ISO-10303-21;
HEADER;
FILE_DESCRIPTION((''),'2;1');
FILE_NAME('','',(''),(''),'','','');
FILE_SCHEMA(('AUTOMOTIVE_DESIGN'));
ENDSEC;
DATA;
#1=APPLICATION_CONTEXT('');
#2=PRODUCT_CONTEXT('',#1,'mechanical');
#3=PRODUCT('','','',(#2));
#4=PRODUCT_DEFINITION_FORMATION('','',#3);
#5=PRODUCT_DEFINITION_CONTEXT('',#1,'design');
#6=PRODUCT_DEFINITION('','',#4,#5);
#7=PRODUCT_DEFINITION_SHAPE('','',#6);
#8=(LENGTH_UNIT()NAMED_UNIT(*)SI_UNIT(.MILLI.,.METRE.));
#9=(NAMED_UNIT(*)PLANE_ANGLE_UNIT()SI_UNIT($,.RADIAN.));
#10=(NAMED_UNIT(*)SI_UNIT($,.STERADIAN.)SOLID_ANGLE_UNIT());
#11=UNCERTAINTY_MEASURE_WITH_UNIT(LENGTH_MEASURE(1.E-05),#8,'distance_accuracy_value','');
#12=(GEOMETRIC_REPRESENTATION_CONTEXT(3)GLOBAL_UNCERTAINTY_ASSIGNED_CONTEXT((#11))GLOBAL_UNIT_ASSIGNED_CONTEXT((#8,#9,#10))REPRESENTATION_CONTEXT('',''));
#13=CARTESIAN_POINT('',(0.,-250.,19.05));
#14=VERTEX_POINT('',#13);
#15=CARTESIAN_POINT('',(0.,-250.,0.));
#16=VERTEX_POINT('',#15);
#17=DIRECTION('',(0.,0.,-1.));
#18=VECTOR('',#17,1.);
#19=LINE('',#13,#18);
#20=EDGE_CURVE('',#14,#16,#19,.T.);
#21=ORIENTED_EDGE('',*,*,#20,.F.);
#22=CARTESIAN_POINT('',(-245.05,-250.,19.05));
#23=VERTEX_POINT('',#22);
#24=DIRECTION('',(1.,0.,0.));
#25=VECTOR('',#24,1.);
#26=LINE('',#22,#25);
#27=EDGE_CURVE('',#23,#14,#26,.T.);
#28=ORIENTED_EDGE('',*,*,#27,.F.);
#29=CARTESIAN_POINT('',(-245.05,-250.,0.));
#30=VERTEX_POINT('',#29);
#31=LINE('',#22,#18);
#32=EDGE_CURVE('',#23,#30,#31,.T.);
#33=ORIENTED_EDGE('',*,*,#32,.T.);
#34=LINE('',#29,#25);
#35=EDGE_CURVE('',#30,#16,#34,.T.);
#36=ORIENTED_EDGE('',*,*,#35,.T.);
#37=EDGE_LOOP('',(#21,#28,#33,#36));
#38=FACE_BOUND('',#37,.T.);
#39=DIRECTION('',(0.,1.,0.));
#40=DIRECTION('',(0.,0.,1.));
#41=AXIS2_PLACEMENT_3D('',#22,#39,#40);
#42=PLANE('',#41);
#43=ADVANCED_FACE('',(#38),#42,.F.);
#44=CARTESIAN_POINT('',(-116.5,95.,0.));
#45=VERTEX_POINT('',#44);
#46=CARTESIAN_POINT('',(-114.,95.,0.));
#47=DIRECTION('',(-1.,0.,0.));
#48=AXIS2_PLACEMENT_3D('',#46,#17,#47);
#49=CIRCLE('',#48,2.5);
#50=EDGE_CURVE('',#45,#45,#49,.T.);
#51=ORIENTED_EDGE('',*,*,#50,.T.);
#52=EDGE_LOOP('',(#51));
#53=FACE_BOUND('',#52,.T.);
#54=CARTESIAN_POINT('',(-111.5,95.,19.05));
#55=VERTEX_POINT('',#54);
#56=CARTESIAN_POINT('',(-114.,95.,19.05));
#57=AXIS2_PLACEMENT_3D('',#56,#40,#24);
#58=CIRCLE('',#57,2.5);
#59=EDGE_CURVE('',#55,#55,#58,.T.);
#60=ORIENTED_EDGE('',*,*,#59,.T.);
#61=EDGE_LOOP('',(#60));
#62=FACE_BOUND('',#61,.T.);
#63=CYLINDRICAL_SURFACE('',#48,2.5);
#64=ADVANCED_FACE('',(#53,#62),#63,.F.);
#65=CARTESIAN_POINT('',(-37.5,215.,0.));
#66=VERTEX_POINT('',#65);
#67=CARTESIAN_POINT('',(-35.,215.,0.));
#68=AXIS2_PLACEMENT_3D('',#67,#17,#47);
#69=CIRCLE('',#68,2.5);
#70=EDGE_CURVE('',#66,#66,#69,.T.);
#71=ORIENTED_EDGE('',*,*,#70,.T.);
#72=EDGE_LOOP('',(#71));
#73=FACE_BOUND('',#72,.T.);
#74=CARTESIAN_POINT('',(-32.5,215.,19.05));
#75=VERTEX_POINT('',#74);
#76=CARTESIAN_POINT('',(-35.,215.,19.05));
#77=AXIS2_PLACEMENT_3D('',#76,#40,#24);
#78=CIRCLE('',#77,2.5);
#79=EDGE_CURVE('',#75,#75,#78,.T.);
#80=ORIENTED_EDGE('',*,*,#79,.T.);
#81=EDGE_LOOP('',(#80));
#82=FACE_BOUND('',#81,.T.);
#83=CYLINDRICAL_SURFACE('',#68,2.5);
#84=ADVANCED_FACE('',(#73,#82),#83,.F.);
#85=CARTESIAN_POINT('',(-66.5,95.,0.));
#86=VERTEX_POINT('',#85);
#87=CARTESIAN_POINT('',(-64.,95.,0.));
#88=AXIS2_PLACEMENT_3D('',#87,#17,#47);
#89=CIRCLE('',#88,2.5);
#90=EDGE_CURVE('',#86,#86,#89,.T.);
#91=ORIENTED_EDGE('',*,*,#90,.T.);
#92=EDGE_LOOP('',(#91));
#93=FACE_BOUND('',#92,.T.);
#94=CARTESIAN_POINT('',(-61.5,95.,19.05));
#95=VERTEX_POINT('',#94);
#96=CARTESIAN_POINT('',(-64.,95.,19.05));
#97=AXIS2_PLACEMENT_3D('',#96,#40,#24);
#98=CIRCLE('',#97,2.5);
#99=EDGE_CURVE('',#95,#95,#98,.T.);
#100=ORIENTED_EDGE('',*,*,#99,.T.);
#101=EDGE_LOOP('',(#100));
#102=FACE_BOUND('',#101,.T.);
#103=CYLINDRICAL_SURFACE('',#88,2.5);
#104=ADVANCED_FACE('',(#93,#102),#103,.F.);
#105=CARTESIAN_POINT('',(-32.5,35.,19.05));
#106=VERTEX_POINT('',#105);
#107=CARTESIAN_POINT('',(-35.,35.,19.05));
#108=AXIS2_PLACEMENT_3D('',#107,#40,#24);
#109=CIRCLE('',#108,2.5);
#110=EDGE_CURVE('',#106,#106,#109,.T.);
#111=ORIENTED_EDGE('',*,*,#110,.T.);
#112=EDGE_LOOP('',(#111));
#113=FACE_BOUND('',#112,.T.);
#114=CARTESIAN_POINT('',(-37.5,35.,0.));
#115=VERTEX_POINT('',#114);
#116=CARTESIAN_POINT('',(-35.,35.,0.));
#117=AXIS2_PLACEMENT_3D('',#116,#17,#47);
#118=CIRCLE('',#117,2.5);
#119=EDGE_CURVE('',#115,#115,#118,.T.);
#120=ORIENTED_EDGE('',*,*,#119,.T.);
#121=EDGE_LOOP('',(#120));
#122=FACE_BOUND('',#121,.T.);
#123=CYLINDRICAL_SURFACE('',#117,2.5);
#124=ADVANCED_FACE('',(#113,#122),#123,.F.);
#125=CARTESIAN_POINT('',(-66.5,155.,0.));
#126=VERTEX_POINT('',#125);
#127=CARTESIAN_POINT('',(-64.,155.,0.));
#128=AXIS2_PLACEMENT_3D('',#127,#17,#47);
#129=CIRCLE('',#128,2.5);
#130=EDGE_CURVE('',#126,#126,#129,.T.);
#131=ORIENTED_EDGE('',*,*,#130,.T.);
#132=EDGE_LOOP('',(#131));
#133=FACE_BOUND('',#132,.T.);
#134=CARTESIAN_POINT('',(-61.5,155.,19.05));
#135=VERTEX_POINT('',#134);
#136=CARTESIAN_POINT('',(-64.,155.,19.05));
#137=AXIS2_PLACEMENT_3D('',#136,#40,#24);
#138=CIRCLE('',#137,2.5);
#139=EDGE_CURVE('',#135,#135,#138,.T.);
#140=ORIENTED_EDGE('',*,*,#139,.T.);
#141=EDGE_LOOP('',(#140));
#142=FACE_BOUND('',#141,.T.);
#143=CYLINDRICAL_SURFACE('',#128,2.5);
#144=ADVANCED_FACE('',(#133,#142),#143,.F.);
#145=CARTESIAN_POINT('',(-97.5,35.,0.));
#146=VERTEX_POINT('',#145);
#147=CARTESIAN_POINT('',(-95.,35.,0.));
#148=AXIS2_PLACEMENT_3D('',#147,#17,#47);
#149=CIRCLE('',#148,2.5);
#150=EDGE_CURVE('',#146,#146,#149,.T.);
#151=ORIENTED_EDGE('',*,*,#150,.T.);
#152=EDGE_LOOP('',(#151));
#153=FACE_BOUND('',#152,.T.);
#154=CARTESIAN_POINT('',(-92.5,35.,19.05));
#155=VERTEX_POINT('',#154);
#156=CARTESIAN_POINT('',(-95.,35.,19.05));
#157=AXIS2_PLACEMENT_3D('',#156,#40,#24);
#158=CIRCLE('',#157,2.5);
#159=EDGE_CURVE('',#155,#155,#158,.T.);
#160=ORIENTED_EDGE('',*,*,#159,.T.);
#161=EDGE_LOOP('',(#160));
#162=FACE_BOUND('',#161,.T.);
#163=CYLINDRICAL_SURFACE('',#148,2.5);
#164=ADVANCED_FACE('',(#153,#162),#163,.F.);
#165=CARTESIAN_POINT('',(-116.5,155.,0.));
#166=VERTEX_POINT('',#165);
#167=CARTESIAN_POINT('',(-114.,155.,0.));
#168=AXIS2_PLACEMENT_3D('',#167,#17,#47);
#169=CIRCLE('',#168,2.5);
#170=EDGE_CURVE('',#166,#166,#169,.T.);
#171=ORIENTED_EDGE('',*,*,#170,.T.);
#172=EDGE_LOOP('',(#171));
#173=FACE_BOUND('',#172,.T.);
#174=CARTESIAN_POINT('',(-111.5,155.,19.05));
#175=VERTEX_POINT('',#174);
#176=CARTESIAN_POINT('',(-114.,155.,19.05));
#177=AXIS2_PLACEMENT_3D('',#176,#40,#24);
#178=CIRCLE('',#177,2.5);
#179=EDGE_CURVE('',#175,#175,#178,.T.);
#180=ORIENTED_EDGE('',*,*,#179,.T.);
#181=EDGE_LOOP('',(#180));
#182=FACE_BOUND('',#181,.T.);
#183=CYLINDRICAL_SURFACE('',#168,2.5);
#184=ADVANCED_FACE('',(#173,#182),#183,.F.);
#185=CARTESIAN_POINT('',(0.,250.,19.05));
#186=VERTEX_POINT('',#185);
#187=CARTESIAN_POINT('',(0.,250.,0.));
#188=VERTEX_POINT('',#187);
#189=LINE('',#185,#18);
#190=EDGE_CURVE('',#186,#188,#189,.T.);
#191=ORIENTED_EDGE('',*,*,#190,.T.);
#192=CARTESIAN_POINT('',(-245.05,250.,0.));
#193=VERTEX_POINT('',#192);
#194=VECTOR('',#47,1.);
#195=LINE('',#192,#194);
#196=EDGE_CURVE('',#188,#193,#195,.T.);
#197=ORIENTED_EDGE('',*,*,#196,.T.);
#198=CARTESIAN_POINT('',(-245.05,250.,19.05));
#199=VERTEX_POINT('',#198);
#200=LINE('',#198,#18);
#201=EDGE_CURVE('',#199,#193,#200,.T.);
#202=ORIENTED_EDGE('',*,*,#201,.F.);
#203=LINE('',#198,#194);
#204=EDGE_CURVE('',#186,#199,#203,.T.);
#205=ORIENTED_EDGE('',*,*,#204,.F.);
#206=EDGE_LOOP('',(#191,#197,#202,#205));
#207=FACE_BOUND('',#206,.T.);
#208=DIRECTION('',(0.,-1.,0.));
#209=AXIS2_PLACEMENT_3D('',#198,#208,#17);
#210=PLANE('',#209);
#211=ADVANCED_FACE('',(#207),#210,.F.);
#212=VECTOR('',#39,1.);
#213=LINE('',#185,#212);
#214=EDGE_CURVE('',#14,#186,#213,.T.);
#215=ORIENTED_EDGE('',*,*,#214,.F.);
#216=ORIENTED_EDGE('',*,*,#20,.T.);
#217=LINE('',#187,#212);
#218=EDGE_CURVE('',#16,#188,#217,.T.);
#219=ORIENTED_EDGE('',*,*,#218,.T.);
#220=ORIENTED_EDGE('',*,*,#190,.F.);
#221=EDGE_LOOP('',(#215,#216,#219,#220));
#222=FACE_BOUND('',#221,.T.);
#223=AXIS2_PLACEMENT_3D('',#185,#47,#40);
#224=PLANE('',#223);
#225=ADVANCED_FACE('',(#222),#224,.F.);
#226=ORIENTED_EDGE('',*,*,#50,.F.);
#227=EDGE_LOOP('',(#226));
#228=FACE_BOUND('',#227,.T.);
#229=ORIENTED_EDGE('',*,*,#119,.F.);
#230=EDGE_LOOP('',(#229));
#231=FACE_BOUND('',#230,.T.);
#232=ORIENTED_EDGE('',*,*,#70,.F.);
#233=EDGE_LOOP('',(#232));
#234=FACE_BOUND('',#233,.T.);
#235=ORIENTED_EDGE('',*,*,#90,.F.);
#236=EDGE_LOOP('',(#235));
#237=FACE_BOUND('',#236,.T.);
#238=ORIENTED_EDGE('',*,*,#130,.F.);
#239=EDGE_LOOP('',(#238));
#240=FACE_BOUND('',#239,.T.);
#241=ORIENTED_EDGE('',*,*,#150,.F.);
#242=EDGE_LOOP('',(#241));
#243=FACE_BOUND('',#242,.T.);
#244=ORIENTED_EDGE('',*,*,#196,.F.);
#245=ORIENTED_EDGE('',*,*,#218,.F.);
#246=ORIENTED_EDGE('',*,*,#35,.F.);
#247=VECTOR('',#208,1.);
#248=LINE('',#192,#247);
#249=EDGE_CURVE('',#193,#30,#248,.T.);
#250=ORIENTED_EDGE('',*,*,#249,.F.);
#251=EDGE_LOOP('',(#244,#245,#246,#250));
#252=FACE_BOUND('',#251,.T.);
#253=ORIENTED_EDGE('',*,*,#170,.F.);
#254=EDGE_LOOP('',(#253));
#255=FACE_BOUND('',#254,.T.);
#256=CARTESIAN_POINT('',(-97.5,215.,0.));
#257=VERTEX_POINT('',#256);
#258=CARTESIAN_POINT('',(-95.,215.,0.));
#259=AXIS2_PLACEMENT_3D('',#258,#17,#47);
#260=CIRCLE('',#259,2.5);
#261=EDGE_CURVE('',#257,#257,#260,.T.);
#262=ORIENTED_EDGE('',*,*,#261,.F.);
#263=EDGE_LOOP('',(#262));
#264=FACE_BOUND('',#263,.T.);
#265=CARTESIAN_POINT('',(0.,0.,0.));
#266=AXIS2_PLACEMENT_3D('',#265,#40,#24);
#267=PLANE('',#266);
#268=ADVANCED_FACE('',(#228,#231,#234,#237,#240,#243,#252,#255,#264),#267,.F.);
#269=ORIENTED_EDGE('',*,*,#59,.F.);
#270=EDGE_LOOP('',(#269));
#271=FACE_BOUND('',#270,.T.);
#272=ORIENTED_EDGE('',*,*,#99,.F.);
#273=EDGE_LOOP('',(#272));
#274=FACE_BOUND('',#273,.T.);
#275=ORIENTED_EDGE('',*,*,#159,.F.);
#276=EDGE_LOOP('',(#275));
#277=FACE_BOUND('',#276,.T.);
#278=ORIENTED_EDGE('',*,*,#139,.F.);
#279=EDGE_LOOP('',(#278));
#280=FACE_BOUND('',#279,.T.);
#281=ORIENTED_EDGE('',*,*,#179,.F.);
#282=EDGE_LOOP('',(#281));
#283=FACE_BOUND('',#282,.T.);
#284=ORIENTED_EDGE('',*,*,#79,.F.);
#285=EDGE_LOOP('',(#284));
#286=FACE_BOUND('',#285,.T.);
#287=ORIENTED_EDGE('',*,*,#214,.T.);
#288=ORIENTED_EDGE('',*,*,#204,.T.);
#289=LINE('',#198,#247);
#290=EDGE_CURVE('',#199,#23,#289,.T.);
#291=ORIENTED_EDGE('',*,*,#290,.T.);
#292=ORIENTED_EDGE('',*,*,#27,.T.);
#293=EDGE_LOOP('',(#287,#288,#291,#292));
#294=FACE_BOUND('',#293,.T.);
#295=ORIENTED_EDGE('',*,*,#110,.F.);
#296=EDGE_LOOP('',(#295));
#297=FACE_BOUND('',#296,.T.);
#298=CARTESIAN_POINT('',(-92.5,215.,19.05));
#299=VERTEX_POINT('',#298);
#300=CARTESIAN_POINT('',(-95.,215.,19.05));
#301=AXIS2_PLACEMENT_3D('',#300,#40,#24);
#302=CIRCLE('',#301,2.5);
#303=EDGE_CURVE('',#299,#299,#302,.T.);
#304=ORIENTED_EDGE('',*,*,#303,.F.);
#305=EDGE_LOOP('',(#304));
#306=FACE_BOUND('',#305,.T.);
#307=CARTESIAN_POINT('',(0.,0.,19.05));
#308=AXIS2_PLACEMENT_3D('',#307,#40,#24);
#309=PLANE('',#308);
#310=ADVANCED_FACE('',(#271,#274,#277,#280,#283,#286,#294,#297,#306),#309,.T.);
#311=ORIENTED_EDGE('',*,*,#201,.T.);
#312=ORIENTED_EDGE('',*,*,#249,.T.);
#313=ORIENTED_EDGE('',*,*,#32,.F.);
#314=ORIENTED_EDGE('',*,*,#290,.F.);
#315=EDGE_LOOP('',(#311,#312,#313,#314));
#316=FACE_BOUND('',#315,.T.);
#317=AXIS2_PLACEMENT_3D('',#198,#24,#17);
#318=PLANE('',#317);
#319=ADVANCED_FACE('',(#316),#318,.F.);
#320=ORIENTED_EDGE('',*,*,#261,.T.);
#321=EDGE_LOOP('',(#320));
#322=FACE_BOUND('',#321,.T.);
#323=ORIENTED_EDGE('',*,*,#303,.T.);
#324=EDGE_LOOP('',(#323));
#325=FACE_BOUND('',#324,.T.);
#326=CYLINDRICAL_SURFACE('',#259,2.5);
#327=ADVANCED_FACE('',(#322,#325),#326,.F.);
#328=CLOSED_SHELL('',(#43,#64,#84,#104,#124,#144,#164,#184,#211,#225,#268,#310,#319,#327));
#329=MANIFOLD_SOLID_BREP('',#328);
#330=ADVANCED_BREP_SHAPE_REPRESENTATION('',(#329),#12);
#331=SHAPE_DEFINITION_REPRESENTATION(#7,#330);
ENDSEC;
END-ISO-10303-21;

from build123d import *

# Parameters (mm, degrees)
SKETCH1_W                 = 245.05
SKETCH1_H                 = 500
BOSS_EXTRUDE1_DEPTH       = 19.05
F_5_0MM_DOWEL_HOLE1_D     = 5
F_5_0MM_DOWEL_HOLE1_DEPTH = 28.497848452
F_5_0MM_DOWEL_HOLE1_TIP   = 1.502151548


with BuildPart() as part:
    # Sketch1 → Boss-Extrude1 (new body)
    with BuildSketch(Plane.XY):
        with Locations((-122.525, 0)):
            Rectangle(SKETCH1_W, SKETCH1_H)
    extrude(amount=BOSS_EXTRUDE1_DEPTH)

    # Ø5.0mm Dowel Hole1
    with Locations(Plane(origin=(0, 0, 0), x_dir=(-1, 0, 0), z_dir=(0, 0, -1))):
        with Locations((35, 35), (95, 35), (114, 95), (64, 95), (64, 155), (35, 215), (95, 215), (114, 155)):
            Hole(F_5_0MM_DOWEL_HOLE1_D / 2, depth=F_5_0MM_DOWEL_HOLE1_DEPTH)
            with Locations((0, 0, -(F_5_0MM_DOWEL_HOLE1_DEPTH + F_5_0MM_DOWEL_HOLE1_TIP / 2))):  # 118° drill point
                Cone(0, F_5_0MM_DOWEL_HOLE1_D / 2, F_5_0MM_DOWEL_HOLE1_TIP, mode=Mode.SUBTRACT)


solid = part.part
